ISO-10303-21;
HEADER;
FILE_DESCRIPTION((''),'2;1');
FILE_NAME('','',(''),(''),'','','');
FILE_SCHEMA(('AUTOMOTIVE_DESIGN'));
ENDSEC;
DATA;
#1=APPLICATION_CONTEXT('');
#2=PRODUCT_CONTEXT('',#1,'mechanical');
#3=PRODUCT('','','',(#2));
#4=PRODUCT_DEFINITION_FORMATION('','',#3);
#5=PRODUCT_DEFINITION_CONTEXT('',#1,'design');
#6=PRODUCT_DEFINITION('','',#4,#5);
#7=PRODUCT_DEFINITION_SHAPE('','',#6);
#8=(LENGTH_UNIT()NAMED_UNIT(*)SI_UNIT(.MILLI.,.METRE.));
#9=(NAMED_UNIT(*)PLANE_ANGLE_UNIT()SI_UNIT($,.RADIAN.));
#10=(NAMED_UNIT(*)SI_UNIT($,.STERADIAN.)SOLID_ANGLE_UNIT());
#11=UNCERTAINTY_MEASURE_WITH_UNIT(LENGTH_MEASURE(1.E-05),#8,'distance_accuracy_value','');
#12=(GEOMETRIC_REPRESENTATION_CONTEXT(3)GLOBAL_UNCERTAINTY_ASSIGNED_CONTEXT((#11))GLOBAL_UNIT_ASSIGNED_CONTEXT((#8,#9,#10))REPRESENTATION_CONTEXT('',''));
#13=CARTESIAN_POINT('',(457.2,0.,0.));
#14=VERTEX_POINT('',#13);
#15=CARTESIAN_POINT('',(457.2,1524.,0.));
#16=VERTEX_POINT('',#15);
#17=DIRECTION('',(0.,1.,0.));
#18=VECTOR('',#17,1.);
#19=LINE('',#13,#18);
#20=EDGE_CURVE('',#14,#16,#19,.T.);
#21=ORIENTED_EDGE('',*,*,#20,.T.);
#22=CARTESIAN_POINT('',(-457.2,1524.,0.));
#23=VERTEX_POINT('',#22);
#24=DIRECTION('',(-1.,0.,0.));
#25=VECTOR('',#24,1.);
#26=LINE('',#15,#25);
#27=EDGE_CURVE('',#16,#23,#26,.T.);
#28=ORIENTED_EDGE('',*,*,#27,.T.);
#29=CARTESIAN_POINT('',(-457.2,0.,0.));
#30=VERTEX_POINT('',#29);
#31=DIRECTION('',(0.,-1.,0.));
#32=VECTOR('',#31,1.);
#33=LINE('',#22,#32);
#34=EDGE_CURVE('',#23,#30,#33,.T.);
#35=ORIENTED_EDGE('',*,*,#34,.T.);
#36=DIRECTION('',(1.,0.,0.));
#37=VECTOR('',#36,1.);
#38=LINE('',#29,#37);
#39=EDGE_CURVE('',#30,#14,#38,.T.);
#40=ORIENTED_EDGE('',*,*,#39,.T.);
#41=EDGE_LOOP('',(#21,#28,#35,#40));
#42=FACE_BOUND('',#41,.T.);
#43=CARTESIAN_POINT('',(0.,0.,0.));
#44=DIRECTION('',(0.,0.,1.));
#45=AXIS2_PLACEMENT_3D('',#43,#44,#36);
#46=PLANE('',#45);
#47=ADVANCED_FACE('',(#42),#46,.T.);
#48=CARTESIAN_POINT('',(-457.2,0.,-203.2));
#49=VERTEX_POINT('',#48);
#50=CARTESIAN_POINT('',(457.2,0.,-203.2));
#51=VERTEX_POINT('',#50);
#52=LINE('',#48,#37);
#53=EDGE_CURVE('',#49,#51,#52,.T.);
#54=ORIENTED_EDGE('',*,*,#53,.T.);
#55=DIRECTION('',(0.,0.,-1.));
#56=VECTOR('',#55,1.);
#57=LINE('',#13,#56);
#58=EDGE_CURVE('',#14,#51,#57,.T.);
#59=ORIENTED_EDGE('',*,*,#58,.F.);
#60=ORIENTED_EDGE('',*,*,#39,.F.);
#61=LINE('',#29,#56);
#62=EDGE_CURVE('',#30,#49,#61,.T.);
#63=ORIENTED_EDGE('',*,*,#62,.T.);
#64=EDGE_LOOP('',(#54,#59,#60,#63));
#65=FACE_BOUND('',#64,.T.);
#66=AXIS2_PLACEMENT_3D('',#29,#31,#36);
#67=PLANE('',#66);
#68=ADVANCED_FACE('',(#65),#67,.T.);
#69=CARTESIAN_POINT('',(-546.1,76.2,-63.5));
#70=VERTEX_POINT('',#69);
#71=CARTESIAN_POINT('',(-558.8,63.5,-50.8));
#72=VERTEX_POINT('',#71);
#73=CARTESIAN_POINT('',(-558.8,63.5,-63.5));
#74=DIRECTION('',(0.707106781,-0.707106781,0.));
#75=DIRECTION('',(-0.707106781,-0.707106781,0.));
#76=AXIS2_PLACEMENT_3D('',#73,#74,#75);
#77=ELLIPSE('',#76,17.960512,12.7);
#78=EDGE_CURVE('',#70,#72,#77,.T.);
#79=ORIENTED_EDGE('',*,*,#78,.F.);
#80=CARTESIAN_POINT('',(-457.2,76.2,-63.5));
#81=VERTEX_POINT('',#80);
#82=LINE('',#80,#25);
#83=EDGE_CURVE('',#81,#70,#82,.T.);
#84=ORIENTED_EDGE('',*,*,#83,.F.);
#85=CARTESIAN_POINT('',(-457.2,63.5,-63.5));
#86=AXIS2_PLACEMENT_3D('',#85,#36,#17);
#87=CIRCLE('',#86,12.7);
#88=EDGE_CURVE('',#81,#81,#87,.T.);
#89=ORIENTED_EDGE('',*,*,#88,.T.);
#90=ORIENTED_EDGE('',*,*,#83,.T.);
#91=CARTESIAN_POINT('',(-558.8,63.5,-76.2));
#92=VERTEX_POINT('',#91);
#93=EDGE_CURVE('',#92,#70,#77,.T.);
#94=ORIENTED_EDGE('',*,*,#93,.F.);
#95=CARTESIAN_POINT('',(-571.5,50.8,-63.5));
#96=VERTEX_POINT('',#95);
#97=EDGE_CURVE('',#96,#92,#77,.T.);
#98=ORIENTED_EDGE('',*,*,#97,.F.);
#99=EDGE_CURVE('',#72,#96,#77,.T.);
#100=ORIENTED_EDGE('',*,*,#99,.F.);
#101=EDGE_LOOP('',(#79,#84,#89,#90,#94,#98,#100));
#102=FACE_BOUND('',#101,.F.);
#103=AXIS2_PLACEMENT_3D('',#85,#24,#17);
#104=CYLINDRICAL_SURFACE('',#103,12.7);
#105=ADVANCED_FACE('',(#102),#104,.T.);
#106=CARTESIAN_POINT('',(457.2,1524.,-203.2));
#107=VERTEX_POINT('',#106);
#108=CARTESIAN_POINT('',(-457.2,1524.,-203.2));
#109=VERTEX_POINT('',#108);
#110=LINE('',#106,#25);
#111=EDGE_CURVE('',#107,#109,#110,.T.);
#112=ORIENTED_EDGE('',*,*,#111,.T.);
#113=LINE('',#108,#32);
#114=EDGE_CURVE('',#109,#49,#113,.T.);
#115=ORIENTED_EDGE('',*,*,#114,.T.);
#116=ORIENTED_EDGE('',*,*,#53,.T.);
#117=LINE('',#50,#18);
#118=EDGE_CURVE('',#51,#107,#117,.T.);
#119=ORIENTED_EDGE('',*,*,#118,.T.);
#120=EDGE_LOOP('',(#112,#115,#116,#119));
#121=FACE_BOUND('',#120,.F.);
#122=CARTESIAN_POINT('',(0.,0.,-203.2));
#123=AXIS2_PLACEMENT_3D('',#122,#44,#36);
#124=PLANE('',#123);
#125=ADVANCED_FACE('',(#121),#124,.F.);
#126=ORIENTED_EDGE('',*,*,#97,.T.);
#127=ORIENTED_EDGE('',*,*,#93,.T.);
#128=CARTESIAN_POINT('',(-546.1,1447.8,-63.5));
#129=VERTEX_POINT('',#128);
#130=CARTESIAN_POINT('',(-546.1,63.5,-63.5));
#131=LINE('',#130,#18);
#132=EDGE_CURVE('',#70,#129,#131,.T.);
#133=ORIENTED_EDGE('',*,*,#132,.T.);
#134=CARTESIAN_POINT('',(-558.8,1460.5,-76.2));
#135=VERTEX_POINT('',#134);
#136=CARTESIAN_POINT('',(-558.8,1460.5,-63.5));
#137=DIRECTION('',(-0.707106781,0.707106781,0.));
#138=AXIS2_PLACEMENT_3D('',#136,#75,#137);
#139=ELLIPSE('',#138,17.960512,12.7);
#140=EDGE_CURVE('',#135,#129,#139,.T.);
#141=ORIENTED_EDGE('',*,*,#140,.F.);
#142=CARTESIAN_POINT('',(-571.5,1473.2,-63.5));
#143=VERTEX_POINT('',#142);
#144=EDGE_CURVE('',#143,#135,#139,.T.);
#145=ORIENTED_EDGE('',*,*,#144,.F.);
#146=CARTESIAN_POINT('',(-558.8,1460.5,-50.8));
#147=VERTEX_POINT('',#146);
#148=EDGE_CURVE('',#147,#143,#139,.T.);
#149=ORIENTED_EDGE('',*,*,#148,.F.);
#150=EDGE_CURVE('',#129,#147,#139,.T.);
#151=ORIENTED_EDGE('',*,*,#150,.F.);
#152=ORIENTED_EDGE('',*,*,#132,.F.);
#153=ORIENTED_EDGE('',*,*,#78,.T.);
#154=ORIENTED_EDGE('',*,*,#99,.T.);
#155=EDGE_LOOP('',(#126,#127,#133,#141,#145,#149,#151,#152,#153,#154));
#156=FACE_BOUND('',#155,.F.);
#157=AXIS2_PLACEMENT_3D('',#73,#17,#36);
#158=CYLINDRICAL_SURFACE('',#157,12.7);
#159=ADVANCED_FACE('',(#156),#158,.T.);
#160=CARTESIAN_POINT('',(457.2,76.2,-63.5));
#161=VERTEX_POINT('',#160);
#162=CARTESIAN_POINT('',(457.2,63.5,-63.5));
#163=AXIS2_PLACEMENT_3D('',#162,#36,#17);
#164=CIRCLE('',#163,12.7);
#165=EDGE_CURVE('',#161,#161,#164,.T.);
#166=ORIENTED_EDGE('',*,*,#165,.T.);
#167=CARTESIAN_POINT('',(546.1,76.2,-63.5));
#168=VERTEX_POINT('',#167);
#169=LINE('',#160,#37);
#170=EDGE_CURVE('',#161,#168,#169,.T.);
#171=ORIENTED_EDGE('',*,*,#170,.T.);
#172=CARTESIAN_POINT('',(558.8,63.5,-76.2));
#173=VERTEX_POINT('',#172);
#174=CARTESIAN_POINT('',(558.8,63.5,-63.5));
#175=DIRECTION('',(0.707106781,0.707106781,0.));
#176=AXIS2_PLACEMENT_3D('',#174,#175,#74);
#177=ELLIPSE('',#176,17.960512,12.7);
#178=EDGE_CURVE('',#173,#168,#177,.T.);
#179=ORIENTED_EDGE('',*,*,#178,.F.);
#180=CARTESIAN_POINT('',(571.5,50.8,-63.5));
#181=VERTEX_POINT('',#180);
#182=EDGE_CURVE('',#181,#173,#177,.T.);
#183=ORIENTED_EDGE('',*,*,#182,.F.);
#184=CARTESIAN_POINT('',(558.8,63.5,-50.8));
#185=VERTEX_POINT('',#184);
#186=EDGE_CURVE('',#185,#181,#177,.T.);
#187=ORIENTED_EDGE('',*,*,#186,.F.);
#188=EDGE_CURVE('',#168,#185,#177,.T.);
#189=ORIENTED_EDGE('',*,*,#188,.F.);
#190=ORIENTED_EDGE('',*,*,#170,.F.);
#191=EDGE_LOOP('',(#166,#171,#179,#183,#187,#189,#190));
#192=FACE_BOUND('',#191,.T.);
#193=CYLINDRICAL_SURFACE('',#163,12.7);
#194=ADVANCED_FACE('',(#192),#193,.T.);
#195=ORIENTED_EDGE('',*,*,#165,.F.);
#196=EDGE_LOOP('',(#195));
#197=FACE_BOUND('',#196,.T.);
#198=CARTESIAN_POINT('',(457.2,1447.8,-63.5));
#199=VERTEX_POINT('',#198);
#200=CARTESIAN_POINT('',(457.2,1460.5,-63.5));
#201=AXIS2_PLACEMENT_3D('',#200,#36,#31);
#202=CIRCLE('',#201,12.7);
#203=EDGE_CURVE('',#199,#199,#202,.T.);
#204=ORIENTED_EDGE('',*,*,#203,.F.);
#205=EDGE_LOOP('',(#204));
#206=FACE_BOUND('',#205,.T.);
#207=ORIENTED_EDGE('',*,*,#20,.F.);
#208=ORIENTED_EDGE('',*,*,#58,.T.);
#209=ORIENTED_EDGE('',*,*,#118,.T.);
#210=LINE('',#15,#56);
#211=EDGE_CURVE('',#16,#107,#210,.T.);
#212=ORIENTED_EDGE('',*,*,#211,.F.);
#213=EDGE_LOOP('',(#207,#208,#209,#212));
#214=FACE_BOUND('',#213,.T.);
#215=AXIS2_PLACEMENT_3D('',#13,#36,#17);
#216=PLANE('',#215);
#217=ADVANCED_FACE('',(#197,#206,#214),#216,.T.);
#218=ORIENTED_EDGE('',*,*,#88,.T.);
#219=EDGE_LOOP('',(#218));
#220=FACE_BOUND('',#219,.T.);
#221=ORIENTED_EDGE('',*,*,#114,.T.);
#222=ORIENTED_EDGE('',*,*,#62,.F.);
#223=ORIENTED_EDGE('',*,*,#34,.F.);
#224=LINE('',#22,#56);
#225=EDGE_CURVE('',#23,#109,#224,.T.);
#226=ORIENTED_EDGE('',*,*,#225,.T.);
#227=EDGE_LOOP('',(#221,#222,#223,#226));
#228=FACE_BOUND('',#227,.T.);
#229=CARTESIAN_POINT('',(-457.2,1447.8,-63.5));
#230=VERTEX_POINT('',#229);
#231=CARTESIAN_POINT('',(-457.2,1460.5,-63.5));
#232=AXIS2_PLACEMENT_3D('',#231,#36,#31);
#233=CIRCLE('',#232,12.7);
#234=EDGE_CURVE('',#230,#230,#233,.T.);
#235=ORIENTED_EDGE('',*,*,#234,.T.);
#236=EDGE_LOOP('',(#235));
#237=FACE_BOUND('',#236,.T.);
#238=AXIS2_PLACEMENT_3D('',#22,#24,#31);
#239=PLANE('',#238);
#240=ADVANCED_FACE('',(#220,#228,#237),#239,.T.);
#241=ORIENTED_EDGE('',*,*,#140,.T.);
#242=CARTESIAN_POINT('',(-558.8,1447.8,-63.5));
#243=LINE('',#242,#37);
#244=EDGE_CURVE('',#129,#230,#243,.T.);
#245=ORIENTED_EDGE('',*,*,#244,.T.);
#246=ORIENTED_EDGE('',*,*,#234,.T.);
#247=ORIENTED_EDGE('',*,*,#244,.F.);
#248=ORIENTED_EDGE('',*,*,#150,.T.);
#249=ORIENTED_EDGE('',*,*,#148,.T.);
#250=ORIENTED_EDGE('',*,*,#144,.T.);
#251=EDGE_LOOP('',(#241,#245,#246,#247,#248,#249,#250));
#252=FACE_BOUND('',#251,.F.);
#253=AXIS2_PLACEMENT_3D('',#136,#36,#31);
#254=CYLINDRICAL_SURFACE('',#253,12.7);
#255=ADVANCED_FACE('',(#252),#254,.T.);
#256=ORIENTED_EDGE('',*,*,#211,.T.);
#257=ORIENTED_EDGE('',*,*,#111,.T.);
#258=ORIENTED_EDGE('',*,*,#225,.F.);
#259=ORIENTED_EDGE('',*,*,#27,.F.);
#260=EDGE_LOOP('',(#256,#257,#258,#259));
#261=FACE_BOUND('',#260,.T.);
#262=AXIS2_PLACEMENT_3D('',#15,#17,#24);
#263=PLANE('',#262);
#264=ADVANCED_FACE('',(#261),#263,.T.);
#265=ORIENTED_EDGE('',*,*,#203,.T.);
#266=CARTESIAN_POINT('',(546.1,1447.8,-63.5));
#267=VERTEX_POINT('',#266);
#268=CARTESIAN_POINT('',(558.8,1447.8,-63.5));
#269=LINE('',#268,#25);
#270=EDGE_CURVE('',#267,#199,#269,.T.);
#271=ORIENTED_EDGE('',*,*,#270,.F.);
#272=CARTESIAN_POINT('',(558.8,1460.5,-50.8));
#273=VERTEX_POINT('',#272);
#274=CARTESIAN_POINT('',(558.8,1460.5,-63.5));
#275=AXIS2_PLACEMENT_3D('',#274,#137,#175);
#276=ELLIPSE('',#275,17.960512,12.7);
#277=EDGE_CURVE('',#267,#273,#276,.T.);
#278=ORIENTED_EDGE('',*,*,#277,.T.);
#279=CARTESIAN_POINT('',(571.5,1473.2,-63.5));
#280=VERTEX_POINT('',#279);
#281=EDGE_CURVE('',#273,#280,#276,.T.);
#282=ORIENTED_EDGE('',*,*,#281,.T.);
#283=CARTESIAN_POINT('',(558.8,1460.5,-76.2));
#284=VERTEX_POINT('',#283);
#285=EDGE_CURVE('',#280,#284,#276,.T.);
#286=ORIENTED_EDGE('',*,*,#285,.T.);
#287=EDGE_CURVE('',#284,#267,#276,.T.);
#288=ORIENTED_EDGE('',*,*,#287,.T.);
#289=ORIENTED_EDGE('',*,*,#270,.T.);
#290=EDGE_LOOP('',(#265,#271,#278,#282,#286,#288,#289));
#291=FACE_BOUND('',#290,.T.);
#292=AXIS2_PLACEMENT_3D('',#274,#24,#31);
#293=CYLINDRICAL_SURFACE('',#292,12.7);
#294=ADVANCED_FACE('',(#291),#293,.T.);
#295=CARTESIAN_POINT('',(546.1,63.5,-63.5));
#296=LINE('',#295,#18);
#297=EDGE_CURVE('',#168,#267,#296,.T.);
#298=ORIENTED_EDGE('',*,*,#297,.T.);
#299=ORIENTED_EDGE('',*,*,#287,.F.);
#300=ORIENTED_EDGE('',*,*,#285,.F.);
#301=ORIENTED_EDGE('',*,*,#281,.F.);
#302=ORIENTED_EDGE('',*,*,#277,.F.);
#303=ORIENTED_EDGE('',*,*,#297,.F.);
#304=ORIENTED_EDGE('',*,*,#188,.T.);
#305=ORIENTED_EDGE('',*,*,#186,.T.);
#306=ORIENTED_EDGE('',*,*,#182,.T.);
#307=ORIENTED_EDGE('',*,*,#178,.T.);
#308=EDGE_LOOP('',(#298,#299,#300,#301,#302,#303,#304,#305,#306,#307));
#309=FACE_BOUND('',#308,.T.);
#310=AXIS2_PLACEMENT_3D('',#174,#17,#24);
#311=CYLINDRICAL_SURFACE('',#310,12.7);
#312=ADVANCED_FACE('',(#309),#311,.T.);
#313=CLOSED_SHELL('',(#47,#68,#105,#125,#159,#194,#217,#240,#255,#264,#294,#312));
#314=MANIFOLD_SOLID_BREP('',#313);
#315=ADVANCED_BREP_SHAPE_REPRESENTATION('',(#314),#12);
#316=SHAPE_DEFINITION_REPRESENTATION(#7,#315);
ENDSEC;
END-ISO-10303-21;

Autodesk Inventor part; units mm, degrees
ref_plane "PLANE IN" through (0, 0, 0) normal (0, 1, 0) x (-1, 0, 0)
ref_plane "PLANE OUT" through (0, 1524, 0) normal (0, 1, 0) x (-1, 0, 0)
ref_plane "PLANE CTR" through (0, 0, 0) normal (1, 0, 0) x (0, 1, 0)
ref_plane "PLANE RH" through (457.2, 0, 0) normal (1, 0, 0) x (0, 1, 0)
ref_plane "PLANE LH" through (-457.2, 0, 0) normal (1, 0, 0) x (0, 1, 0)
ref_plane "PLANE TOP" through (0, 0, 0) normal (0, 0, 1) x (1, 0, 0)
ref_plane "PLANE BOT" through (0, 0, -203.2) normal (0, 0, 1) x (1, 0, 0)
ref_plane "PLANE HANDLE RH" through (558.8, 0, 0) normal (1, 0, 0) x (0, 1, 0)
ref_plane "PLANE HANDLE LH" through (-558.8, 0, 0) normal (1, 0, 0) x (0, 1, 0)
ref_plane "PLANE HANDLE IN" through (0, 63.5, 0) normal (0, 1, 0) x (-1, 0, 0)
ref_plane "PLANE HANDLE OUT" through (0, 1460.5, 0) normal (0, 1, 0) x (-1, 0, 0)
ref_plane "PLANE HANDLE TOP" through (0, 0, -63.5) normal (0, 0, 1) x (1, 0, 0)
sketch "SKETCH BODY" plane through (0, 0, 0) normal (0, 0, 1) x (1, 0, 0)
  line L0 (-457.2, 0) -> (457.2, 0)
  line L1 (457.2, 0) -> (457.2, 1524)
  line L2 (457.2, 1524) -> (-457.2, 1524)
  line L3 (-457.2, 1524) -> (-457.2, 0)
  line L4 (-640.08, 0) -> (640.08, 0) projected
  line L5 (-640.08, 1524) -> (640.08, 1524) projected
  line L6 (457.2, 3657.6) -> (457.2, -609.6) projected
  line L7 (-457.2, 3657.6) -> (-457.2, -609.6) projected
extrude "EXT BODY" add sketch "SKETCH BODY" against normal blind 203.2
sketch "SKETCH HANDLE DIA" plane through (457.2, 0, 0) normal (1, 0, 0) x (0, 1, 0)
  line L0 (45.72, -63.5) -> (81.28, -63.5) projected
  line L1 (63.5, -45.72) -> (63.5, -81.28) projected
  circle A0 centre (63.5, -63.5) radius 12.7
  dimension "d79" = 25.4
sketch "SKETCH HANDLE PATH" plane through (0, 0, -63.5) normal (0, 0, 1) x (1, 0, 0)
  line L0 (558.8, 3568.7) -> (558.8, -520.7) projected
  line L1 (457.2, 3568.7) -> (457.2, -520.7) projected
  line L2 (436.88, 63.5) -> (579.12, 63.5) projected
  line L3 (436.88, 1460.5) -> (579.12, 1460.5) projected
  line L4 (457.2, 63.5) -> (558.8, 63.5)
  line L5 (558.8, 63.5) -> (558.8, 1460.5)
  line L6 (558.8, 1460.5) -> (457.2, 1460.5)
  line L7 (457.2, 1460.5) -> (457.2, 63.5) construction
sweep "SWP HANDLE" add profiles "SKETCH HANDLE DIA" path "SKETCH HANDLE PATH" path curves L4 L5 L6
mirror "MIR HANDLE" about plane through (0, 0, 0) normal (1, 0, 0)
equation "\"d76\" = HEIGHT"
equation "\"PLANE_OUT\" = LENGTH"
equation "\"PLANE_RH\" = 0.5 * WIDTH"
equation "\"PLANE_LH\" = -0.5 * WIDTH"
equation "\"PLANE_BOT\" = -HEIGHT"
equation "\"PLANE_HANDLE_RH\" = HANDLE_OFFSET_CTR"
equation "\"PLANE_HANDLE_LH\" = -HANDLE_OFFSET_CTR"
equation "\"PLANE_HANDLE_IN\" = HANDLE_OFFSET_END"
equation "\"PLANE_HANDLE_OUT\" = LENGTH - HANDLE_OFFSET_END"
equation "\"PLANE_HANDLE_TOP\" = -HANDLE_OFFSET_TOP"
equation "\"LENGTH\" = 1524"
equation "\"WIDTH\" = 914.4"
equation "\"HEIGHT\" = 203.2"
equation "\"HANDLE_GAP\" = 101.6"
equation "\"HANDLE_OFFSET_CTR\" = 0.5 * WIDTH + HANDLE_GAP"
equation "\"HANDLE_OFFSET_END\" = 63.5"
equation "\"HANDLE_OFFSET_TOP\" = 63.5"
properties part number "ATQ-36-60-B"
